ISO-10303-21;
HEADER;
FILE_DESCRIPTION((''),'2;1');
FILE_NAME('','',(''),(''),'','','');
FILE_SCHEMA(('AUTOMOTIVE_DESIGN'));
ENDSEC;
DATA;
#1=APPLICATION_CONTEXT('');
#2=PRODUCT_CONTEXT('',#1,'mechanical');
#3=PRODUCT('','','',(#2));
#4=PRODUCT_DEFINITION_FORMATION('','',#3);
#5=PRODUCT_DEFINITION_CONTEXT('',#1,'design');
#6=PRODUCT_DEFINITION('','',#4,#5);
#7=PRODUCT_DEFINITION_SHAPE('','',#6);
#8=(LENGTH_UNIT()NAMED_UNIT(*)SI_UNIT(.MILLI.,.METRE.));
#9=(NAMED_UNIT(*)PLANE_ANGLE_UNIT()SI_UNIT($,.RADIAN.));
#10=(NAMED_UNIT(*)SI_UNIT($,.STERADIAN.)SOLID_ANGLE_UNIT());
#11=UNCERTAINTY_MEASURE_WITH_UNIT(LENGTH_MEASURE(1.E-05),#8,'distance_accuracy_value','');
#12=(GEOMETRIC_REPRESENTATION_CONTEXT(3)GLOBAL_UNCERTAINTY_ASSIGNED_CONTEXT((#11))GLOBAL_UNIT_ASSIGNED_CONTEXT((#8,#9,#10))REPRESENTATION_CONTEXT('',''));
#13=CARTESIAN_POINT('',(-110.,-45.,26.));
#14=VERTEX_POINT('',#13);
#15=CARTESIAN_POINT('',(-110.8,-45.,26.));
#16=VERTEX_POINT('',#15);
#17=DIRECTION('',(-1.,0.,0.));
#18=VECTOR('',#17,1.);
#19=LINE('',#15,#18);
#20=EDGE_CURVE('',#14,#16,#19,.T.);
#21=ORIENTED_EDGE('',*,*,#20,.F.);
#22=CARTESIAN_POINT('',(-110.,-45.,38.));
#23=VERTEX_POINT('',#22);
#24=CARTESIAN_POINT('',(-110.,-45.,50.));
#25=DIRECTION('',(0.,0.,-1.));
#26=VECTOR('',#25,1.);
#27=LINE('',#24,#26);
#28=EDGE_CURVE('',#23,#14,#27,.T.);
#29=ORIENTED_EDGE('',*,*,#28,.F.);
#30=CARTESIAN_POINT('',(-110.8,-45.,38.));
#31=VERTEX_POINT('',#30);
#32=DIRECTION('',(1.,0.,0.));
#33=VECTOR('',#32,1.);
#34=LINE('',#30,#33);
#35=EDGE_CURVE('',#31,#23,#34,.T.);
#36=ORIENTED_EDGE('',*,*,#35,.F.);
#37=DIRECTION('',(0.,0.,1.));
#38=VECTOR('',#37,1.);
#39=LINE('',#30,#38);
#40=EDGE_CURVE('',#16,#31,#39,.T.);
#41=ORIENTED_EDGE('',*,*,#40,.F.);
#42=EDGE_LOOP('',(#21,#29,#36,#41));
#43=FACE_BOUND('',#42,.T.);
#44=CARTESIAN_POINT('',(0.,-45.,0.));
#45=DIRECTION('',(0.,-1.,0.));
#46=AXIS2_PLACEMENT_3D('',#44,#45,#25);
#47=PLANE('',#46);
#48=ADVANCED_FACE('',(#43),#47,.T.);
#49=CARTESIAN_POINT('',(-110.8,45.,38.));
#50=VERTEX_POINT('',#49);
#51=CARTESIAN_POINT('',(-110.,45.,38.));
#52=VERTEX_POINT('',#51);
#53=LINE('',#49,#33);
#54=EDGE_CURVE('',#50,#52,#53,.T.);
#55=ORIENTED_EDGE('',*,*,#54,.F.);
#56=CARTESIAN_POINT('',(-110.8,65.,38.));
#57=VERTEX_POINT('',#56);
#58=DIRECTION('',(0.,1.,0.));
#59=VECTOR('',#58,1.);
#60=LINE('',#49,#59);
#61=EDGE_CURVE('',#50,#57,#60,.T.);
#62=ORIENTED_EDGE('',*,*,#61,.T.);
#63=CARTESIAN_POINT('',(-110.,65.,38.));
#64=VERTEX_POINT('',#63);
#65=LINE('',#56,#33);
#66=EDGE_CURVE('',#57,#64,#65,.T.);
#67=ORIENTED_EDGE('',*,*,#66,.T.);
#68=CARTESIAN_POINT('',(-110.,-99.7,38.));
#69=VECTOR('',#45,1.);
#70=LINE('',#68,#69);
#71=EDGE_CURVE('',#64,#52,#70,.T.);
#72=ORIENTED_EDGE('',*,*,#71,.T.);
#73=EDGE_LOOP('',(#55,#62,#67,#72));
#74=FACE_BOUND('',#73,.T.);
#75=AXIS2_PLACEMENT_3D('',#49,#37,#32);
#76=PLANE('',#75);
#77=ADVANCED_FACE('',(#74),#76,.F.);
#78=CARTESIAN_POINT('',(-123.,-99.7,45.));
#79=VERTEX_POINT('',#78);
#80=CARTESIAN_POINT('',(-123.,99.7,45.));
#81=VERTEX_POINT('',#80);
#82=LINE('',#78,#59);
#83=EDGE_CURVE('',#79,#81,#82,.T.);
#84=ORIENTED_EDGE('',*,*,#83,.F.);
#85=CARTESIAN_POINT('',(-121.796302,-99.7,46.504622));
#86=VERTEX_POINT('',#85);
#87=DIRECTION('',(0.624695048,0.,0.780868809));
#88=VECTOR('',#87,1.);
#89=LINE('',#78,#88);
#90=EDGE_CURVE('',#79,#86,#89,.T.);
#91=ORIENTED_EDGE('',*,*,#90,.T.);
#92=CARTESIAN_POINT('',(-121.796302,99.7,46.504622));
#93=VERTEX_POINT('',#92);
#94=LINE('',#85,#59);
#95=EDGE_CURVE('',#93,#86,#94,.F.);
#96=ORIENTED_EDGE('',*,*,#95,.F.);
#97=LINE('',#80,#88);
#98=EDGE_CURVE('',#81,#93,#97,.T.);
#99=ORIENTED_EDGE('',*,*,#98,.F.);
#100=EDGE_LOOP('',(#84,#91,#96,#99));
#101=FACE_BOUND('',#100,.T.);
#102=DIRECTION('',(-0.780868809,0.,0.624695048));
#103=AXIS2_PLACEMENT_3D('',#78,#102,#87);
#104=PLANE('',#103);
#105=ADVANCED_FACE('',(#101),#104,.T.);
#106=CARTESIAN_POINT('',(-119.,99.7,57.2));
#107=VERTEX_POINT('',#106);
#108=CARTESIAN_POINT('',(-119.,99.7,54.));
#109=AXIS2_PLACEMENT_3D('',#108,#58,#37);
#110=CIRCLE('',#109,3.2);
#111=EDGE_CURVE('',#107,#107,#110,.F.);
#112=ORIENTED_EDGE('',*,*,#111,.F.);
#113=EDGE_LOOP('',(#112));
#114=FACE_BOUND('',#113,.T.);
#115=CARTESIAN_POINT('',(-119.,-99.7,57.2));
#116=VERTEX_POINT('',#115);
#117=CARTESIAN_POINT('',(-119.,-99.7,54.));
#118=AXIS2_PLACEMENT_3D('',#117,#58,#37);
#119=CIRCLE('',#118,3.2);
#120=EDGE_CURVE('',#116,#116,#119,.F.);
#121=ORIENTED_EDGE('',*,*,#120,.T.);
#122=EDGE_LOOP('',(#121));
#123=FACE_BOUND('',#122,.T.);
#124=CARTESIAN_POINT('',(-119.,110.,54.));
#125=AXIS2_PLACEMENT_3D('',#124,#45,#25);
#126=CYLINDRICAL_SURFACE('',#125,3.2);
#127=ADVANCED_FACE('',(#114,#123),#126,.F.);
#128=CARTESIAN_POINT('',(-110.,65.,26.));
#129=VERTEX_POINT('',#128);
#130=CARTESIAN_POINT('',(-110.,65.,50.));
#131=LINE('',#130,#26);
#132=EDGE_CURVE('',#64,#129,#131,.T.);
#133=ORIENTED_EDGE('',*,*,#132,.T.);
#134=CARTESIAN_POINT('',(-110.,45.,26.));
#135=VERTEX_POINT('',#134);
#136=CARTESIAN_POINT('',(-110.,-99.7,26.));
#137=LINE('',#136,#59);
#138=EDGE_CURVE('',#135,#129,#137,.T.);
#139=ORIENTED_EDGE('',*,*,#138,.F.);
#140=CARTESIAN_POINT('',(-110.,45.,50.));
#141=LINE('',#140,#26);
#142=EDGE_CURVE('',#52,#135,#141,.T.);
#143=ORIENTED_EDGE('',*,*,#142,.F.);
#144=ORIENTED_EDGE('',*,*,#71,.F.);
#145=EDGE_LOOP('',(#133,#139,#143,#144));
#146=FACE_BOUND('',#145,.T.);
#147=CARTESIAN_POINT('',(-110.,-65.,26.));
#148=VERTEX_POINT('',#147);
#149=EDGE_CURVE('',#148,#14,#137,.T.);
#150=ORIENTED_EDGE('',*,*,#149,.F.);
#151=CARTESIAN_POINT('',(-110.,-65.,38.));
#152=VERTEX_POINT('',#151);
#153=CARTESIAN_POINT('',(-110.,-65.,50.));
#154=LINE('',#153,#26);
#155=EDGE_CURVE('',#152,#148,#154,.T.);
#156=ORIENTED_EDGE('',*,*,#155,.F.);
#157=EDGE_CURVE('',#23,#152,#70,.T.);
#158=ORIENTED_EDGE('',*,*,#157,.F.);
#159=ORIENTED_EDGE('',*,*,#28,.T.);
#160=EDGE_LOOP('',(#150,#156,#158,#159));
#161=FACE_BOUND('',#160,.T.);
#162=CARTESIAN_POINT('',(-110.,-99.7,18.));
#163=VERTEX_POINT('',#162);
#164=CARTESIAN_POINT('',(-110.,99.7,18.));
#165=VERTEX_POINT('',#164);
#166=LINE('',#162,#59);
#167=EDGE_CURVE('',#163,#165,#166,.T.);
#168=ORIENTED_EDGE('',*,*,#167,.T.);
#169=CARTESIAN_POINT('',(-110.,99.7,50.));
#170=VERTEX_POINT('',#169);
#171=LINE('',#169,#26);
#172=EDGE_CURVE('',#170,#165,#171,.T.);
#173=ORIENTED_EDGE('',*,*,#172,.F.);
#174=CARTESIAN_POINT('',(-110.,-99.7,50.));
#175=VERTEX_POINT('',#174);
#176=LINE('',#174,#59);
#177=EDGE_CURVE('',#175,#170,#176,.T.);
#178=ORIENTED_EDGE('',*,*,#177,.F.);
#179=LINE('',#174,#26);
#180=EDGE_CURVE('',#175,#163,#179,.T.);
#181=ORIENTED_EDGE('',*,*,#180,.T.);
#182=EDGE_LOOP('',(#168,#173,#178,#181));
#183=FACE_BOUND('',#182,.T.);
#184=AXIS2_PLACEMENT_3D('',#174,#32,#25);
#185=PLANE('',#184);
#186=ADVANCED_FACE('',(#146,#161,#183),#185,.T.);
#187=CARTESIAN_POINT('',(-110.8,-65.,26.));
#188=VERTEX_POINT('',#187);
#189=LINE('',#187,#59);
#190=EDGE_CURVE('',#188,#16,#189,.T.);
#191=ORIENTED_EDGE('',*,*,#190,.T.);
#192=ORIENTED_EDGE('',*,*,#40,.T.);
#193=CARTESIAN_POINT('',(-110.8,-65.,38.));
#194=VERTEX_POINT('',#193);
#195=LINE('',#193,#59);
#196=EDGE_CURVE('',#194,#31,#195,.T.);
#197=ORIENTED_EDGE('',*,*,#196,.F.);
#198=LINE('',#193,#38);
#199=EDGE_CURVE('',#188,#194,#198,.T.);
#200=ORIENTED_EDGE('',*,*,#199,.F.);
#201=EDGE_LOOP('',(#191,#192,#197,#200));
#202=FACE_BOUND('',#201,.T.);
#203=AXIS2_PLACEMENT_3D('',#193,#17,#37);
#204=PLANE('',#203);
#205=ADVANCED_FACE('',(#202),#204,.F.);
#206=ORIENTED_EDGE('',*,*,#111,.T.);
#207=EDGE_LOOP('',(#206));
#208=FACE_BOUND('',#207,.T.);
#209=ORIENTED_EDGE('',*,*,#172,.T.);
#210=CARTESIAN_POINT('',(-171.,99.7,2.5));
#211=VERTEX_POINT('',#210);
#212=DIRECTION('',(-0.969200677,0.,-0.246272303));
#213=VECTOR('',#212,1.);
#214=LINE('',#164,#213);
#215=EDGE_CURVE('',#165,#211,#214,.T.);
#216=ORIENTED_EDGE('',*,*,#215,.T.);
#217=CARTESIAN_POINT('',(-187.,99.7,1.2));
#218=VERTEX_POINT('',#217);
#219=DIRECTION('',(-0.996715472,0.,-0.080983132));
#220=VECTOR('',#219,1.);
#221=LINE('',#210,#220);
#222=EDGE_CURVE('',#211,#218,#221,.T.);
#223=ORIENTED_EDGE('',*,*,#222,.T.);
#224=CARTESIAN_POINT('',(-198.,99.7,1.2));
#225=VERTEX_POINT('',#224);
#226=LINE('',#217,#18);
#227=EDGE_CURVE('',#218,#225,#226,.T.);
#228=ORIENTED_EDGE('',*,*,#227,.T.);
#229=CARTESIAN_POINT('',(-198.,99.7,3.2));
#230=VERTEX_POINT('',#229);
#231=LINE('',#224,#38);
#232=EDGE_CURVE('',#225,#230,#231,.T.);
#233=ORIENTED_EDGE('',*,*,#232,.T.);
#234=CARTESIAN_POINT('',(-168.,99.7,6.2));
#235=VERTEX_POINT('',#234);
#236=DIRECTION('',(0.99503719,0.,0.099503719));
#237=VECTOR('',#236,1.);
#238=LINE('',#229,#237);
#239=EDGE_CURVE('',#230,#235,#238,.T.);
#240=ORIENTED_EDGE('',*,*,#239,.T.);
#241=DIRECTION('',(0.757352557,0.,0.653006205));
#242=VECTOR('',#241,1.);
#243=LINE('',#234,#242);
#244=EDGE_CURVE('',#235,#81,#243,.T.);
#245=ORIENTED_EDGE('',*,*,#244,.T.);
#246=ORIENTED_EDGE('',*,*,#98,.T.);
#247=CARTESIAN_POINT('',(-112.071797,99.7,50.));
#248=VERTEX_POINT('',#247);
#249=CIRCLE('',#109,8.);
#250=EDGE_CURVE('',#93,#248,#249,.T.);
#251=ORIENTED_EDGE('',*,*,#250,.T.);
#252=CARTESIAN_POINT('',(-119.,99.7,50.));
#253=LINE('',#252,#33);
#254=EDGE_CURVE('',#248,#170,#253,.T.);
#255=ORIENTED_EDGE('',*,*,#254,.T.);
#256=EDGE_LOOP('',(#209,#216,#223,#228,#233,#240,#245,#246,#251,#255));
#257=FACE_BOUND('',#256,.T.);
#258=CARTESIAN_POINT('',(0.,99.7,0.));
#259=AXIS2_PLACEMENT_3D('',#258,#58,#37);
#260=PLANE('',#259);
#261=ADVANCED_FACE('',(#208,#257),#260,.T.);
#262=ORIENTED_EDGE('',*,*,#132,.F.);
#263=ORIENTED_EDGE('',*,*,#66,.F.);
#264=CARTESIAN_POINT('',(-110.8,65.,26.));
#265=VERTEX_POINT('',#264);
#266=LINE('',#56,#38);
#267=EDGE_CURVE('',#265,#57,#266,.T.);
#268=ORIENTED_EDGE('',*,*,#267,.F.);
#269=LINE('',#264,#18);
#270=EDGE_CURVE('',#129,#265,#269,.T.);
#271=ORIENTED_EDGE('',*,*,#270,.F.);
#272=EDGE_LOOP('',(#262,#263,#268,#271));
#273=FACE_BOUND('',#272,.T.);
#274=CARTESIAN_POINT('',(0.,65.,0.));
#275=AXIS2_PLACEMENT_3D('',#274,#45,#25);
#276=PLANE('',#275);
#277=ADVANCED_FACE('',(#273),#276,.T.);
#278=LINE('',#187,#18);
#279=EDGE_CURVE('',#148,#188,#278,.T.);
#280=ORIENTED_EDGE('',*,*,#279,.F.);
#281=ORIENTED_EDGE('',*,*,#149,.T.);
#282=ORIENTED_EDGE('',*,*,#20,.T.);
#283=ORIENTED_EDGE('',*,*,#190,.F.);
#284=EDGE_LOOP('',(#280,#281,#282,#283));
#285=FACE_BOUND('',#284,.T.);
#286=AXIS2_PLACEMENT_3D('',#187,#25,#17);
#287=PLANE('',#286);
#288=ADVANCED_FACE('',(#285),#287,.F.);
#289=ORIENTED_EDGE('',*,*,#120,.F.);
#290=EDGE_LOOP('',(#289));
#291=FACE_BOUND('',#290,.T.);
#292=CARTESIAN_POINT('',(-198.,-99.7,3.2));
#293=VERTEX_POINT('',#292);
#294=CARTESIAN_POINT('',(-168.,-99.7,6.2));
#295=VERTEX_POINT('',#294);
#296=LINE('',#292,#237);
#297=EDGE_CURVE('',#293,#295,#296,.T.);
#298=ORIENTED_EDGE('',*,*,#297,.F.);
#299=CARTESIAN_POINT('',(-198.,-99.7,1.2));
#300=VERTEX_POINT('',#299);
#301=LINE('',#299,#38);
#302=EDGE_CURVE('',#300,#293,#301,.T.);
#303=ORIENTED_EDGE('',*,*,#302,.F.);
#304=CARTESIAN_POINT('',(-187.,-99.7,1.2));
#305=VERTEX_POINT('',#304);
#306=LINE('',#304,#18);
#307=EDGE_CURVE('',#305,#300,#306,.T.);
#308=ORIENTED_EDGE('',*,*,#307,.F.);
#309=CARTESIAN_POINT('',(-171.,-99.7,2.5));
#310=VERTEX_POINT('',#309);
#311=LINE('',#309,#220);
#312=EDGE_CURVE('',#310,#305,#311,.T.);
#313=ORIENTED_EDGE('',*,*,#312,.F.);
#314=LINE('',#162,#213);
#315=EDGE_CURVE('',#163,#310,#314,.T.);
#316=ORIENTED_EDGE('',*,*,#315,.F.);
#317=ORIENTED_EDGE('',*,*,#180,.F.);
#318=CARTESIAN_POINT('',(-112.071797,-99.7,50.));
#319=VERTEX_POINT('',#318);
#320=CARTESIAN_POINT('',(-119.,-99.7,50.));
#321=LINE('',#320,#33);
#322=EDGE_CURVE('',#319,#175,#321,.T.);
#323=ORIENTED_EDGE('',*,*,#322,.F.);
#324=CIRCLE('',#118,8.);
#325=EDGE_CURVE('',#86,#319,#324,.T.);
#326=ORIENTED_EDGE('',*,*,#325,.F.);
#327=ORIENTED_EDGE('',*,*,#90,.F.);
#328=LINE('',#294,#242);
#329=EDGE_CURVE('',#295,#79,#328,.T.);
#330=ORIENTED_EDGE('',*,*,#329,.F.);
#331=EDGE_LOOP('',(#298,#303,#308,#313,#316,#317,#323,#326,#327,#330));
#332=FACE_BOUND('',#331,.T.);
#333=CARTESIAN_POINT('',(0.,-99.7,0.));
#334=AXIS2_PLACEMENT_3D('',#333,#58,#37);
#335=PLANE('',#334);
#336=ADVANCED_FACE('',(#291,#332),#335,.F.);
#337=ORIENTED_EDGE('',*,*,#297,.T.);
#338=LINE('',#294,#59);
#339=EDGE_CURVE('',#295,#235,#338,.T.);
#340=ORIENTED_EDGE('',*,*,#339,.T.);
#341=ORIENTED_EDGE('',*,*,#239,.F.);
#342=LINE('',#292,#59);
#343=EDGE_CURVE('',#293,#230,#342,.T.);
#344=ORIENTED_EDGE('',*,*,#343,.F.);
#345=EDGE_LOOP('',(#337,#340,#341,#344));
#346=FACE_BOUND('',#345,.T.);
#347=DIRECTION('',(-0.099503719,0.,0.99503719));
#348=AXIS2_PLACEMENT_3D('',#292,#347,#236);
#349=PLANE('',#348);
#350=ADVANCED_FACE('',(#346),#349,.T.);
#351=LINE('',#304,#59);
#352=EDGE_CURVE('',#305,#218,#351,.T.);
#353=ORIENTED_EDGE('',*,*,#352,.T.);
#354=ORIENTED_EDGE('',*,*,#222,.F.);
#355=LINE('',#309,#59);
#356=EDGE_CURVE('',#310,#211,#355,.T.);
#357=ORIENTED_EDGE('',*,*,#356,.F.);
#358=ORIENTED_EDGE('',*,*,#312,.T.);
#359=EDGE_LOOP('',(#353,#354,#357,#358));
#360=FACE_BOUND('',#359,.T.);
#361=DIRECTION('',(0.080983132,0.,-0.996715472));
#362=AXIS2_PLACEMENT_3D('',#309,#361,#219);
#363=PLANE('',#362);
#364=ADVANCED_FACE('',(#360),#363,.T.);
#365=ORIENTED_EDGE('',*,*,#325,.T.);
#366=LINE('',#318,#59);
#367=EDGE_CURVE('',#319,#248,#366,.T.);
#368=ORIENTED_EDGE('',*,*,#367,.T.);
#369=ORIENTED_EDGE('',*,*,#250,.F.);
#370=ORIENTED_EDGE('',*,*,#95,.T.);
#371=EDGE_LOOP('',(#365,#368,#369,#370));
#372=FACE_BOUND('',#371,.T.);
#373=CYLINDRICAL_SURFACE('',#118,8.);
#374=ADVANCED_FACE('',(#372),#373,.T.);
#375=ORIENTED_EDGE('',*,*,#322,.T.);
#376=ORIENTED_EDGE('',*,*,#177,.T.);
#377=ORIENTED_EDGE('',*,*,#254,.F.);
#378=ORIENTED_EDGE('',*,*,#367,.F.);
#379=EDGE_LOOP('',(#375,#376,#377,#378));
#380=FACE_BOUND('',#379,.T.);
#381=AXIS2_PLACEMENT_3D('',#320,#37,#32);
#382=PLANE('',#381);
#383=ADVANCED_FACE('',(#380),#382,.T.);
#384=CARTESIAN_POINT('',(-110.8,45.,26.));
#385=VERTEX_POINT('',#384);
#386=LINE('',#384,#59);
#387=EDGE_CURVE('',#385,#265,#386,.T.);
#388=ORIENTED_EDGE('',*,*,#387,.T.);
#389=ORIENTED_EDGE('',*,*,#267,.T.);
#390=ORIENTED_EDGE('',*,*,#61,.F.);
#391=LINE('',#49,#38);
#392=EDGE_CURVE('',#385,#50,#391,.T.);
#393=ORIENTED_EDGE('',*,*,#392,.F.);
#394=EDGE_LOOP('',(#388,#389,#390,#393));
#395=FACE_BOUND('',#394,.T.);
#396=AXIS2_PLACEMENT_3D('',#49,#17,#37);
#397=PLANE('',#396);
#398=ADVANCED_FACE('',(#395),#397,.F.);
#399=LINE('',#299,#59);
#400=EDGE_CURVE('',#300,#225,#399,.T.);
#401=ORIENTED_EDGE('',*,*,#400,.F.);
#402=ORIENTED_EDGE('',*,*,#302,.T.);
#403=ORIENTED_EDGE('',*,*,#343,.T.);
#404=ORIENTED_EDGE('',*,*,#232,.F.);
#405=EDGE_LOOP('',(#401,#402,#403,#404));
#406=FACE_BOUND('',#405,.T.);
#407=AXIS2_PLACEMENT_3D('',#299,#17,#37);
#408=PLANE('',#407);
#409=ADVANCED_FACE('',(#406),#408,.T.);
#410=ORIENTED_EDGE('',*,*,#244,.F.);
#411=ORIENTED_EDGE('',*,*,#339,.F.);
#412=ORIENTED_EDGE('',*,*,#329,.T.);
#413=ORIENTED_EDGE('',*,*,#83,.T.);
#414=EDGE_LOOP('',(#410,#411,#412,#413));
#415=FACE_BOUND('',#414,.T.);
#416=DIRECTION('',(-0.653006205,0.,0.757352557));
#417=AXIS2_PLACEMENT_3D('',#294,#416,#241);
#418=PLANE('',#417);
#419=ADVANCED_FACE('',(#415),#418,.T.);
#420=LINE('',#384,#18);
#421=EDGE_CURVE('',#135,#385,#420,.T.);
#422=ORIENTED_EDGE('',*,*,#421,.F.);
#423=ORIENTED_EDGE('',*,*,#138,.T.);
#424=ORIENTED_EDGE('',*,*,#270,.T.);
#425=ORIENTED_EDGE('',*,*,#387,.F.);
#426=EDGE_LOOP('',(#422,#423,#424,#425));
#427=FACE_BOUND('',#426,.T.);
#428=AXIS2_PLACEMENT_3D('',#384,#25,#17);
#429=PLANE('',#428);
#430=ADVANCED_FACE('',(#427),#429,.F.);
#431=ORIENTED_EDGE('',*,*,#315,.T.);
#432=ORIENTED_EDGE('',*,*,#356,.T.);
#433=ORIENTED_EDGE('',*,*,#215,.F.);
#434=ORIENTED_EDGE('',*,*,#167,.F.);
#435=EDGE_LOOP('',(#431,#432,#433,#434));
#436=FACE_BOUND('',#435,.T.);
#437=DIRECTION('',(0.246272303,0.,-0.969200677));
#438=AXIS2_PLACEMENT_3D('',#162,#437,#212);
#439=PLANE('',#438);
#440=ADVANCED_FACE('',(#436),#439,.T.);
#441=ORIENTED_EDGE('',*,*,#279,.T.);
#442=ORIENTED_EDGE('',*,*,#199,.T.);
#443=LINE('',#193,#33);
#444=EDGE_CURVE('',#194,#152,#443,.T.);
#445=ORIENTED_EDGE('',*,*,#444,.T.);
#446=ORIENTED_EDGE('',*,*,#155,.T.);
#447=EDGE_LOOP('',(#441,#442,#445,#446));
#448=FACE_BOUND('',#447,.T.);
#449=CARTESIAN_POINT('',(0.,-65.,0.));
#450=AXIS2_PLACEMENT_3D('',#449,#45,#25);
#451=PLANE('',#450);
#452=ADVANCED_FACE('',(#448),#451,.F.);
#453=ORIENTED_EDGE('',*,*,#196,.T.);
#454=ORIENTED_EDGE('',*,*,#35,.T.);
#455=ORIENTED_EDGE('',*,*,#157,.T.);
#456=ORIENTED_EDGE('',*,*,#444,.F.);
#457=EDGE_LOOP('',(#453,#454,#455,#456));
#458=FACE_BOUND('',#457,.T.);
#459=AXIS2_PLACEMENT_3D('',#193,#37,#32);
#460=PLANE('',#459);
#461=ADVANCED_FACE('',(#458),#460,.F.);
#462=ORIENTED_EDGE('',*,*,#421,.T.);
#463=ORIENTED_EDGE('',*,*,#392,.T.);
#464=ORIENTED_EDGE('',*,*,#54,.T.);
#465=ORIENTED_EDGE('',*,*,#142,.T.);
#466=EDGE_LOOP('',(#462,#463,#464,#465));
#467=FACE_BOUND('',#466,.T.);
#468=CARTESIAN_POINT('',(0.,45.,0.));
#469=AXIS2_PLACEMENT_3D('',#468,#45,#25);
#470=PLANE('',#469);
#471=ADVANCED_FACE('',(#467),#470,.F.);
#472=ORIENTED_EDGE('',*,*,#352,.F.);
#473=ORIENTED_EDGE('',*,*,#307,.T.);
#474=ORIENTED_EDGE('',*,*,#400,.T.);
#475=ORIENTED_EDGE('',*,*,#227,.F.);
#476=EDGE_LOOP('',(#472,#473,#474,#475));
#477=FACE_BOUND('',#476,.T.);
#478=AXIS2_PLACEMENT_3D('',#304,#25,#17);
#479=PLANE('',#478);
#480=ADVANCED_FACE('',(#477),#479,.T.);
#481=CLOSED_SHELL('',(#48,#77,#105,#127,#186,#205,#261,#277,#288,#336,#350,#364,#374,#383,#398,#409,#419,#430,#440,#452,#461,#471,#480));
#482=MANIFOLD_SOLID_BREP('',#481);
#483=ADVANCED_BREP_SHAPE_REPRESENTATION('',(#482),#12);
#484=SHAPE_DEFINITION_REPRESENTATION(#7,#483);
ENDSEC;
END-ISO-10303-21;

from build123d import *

# Parameters (mm, degrees)
ONE_PIECE_PROGRESSIVE_SOLID_WEDGE_DEPTH      = 99.7
ONE_PIECE_PROGRESSIVE_SOLID_WEDGE_DEPTH_BACK = 99.7
INTEGRAL_FULL_WIDTH_PIVOT_BOSS_DEPTH         = 99.7
INTEGRAL_FULL_WIDTH_PIVOT_BOSS_DEPTH_BACK    = 99.7
SKETCH_2_R                                   = 8
M6_MANUAL_PIVOT_DEPTH                        = 110
M6_MANUAL_PIVOT_DEPTH_BACK                   = 110
SKETCH_3_R                                   = 3.2
RECESSED_HOOK_PATCH_65_START                 = -45
SKETCH_4_W                                   = 0.81
SKETCH_4_H                                   = 12
RECESSED_HOOK_PATCH_65_DEPTH                 = 20
RECESSED_HOOK_PATCH_45_START                 = 65
SKETCH_5_W                                   = 0.81
SKETCH_5_H                                   = 12
RECESSED_HOOK_PATCH_45_DEPTH                 = 20


with BuildPart() as part:
    # 草图1 → One_piece_progressive_solid_wedge (new, two sides: drawn at the far end of the back side and taken through both)
    with BuildSketch(Plane(origin=(0, 0, 0), x_dir=(1, 0, 0), z_dir=(0, 1, 0)).offset(-ONE_PIECE_PROGRESSIVE_SOLID_WEDGE_DEPTH_BACK)):
        Polygon((-198, -1.2), (-198, -3.2), (-168, -6.2), (-123, -45), (-119, -50), (-110, -50), (-110, -18), (-171, -2.5), (-187, -1.2), align=None)
    extrude(amount=ONE_PIECE_PROGRESSIVE_SOLID_WEDGE_DEPTH + ONE_PIECE_PROGRESSIVE_SOLID_WEDGE_DEPTH_BACK)

    # 草图2 → Integral_full_width_pivot_boss (add, two sides: drawn at the far end of the back side and taken through both)
    with BuildSketch(Plane(origin=(0, 0, 0), x_dir=(1, 0, 0), z_dir=(0, 1, 0)).offset(-INTEGRAL_FULL_WIDTH_PIVOT_BOSS_DEPTH_BACK)):
        with Locations((-119, -54)):
            Circle(SKETCH_2_R)
    extrude(amount=INTEGRAL_FULL_WIDTH_PIVOT_BOSS_DEPTH + INTEGRAL_FULL_WIDTH_PIVOT_BOSS_DEPTH_BACK)

    # 草图3 → M6_manual_pivot (cut, two sides: drawn at the far end of the back side and taken through both)
    with BuildSketch(Plane(origin=(0, 0, 0), x_dir=(1, 0, 0), z_dir=(0, 1, 0)).offset(-M6_MANUAL_PIVOT_DEPTH_BACK)):
        with Locations((-119, -54)):
            Circle(SKETCH_3_R)
    extrude(amount=M6_MANUAL_PIVOT_DEPTH + M6_MANUAL_PIVOT_DEPTH_BACK, mode=Mode.SUBTRACT)

    # 草图4 → Recessed_hook_patch_-65 (cut)
    with BuildSketch(Plane(origin=(0, 0, 0), x_dir=(1, 0, 0), z_dir=(0, 1, 0)).offset(RECESSED_HOOK_PATCH_65_START)):
        with Locations((-110.395, -32)):
            Rectangle(SKETCH_4_W, SKETCH_4_H)
    extrude(amount=-RECESSED_HOOK_PATCH_65_DEPTH, mode=Mode.SUBTRACT)

    # 草图5 → Recessed_hook_patch_45 (cut)
    with BuildSketch(Plane(origin=(0, 0, 0), x_dir=(1, 0, 0), z_dir=(0, 1, 0)).offset(RECESSED_HOOK_PATCH_45_START)):
        with Locations((-110.395, -32)):
            Rectangle(SKETCH_5_W, SKETCH_5_H)
    extrude(amount=-RECESSED_HOOK_PATCH_45_DEPTH, mode=Mode.SUBTRACT)


solid = part.part
